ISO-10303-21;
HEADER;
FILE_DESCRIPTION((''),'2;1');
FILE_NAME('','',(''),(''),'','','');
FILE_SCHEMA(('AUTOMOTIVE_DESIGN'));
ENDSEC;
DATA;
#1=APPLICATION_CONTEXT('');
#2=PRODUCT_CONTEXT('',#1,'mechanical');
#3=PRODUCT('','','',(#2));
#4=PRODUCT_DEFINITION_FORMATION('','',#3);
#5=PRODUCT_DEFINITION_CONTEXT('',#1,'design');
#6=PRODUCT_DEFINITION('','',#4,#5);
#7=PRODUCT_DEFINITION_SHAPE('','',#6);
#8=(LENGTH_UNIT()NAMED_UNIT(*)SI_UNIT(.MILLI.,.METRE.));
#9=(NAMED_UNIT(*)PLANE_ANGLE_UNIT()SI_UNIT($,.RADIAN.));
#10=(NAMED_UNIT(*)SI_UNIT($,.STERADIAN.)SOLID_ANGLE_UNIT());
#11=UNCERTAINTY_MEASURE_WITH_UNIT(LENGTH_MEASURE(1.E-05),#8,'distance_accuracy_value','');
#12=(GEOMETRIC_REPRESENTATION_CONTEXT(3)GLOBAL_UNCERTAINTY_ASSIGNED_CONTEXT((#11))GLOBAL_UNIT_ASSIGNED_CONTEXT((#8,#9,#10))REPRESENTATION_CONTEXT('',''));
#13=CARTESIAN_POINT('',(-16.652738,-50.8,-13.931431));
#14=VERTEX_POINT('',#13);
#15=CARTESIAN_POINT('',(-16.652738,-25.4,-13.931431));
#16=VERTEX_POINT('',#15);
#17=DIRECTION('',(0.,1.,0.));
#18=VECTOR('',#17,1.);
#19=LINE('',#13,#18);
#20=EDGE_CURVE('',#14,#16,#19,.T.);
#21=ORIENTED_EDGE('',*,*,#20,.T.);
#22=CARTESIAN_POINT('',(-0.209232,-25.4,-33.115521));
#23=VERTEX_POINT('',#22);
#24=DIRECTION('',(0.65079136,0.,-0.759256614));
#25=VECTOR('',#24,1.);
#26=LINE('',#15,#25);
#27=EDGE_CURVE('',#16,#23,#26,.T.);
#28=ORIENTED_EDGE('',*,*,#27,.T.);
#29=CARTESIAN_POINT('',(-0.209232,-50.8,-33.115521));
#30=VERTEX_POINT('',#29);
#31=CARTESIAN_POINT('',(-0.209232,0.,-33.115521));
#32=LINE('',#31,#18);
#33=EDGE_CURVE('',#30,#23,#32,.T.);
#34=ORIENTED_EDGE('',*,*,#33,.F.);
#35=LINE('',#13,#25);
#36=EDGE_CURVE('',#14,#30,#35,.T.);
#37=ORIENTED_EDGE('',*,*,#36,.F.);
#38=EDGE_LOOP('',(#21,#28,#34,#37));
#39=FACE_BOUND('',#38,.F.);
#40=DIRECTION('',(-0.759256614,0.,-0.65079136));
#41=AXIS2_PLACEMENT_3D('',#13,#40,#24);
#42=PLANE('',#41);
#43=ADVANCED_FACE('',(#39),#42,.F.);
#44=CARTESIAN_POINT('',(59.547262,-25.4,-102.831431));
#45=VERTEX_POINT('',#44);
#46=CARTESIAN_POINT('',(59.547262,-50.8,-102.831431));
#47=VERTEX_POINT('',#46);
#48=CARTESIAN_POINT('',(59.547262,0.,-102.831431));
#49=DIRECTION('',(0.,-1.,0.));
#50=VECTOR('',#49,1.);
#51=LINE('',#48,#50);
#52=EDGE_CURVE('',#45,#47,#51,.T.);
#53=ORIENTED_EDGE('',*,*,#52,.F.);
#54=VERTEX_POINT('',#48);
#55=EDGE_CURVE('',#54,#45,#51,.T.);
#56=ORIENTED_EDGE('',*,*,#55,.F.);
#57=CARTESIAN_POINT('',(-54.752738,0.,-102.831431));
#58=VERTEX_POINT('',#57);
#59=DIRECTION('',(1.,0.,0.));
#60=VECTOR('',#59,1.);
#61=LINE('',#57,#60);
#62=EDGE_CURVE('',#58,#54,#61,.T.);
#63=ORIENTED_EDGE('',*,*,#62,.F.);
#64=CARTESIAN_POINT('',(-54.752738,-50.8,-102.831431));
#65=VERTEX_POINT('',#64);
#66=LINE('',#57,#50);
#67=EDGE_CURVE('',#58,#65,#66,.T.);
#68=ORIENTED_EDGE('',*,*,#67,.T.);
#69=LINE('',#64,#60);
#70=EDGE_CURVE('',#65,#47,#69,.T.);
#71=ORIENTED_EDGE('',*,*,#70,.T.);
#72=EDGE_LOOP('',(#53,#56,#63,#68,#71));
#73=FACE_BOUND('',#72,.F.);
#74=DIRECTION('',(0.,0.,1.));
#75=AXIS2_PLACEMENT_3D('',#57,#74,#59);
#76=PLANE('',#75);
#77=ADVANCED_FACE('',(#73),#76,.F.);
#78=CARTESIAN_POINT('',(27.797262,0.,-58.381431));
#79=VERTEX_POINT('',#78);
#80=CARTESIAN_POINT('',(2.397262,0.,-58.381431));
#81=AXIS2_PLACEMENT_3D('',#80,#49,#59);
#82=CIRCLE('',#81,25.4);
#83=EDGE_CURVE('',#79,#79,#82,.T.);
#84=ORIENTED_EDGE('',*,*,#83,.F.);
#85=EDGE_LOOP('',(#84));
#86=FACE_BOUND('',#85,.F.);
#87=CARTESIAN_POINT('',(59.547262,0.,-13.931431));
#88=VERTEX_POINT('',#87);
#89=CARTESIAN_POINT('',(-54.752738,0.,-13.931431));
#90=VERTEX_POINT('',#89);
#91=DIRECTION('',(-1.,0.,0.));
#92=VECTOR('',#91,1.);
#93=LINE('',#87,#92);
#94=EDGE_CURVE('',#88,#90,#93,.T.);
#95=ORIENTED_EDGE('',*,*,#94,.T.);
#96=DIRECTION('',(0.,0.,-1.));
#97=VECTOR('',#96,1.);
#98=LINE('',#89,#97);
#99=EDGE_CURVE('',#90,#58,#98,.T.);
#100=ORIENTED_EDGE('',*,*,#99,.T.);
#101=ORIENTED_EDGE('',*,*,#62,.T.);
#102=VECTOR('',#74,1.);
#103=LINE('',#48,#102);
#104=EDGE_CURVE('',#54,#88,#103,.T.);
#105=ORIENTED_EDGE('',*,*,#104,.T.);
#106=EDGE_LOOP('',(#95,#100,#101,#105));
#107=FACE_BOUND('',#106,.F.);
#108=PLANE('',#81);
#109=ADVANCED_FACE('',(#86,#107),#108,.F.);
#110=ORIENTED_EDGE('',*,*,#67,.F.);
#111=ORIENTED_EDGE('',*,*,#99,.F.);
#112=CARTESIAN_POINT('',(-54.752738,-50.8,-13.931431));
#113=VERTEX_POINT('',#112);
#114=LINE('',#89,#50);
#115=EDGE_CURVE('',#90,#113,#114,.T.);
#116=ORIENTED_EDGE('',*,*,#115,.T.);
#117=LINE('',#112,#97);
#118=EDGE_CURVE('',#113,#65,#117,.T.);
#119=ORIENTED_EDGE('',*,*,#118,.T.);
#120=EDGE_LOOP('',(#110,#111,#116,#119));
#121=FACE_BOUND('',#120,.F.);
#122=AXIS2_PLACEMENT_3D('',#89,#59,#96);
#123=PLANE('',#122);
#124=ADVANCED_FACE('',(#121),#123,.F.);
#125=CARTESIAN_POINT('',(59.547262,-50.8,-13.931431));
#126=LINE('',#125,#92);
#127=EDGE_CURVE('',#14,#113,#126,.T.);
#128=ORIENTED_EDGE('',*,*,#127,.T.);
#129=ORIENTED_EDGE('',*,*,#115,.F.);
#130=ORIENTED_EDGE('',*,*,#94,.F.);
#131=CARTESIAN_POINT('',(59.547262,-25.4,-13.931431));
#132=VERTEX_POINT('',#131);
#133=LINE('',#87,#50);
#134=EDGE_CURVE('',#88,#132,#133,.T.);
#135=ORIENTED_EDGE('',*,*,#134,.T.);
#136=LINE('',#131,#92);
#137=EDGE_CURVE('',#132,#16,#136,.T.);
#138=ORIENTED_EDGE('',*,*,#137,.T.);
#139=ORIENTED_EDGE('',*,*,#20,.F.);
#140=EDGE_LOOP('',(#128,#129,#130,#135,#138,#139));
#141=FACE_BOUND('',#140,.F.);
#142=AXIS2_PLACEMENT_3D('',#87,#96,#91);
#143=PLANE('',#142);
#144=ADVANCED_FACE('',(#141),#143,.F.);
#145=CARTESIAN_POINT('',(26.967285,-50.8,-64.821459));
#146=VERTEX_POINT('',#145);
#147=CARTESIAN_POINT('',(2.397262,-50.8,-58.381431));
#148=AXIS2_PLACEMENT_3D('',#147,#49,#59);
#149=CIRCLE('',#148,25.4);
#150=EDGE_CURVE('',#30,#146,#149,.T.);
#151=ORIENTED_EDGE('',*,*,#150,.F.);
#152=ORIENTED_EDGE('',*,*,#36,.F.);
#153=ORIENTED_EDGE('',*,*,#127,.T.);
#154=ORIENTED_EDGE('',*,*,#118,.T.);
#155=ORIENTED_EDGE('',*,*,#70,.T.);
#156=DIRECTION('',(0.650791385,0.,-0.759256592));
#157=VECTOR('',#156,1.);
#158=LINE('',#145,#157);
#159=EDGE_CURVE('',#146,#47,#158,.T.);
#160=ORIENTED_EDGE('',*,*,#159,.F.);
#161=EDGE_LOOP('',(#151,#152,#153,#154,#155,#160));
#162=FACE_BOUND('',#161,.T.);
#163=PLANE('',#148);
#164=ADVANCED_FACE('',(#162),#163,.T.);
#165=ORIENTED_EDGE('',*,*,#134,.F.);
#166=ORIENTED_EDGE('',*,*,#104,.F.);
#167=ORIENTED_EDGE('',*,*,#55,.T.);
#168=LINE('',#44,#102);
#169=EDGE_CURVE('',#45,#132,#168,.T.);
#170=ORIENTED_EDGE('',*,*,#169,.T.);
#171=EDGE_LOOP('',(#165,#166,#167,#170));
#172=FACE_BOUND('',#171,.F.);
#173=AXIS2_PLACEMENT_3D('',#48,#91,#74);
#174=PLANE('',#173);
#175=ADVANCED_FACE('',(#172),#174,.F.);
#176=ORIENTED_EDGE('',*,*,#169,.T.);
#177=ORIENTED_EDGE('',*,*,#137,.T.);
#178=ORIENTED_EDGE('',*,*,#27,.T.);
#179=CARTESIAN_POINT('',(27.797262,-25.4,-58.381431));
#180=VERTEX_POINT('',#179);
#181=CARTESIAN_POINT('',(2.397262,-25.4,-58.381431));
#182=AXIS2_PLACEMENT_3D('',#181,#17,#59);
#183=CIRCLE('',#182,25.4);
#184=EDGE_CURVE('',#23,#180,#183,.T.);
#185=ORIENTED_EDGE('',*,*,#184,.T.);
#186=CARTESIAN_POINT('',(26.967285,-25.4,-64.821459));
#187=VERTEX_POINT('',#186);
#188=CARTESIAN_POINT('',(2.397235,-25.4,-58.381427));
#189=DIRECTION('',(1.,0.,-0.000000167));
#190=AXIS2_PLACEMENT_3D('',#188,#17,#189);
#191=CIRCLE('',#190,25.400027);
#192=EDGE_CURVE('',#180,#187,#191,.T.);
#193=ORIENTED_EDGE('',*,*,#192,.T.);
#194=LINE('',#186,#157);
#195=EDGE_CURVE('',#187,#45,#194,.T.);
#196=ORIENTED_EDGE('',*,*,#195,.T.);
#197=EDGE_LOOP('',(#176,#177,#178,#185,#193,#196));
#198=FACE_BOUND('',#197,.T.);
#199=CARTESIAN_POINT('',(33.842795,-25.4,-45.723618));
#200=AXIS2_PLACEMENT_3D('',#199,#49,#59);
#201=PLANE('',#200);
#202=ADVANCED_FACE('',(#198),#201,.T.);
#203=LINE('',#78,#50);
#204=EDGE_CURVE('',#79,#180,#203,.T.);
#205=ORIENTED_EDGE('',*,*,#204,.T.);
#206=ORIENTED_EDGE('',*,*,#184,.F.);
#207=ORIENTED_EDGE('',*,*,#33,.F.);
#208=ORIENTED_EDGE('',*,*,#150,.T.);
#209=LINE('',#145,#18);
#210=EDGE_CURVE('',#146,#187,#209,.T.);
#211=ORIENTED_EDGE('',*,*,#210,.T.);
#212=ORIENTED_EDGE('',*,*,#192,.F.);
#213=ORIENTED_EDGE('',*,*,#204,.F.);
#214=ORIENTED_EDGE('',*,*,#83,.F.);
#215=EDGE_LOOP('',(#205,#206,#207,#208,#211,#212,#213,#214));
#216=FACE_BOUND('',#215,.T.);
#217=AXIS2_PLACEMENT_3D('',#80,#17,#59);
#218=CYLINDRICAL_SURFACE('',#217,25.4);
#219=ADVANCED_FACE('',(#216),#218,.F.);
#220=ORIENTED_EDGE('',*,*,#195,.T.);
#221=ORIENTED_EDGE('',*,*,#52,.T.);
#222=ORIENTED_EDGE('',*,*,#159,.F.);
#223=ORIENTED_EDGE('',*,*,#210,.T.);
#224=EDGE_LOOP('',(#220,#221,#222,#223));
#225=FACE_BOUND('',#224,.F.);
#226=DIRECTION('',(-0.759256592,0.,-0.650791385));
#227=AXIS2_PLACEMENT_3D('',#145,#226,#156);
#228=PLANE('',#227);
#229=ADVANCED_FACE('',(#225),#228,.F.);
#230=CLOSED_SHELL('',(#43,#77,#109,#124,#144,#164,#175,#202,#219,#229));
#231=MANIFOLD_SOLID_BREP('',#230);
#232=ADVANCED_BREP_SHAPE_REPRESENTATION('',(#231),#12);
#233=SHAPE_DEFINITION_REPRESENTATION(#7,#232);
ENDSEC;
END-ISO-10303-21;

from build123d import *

# Parameters (mm, degrees)
F0_R     = 25.4
F1_DEPTH = 50.8
F3_DEPTH = 25.4


with BuildPart() as f1:
    # F0 (on Front) → F1 (new body)
    with BuildSketch(Plane.XZ):
        Polygon((-16.652738, -13.931431), (-54.752738, -13.931431), (-54.752738, -102.831431), (59.547262, -102.831431), (59.547262, -13.931431), align=None)
        with Locations((2.397262, -58.381431)):
            Circle(F0_R, mode=Mode.SUBTRACT)
    extrude(amount=F1_DEPTH)

    # F2 (on face) → F3 (cut)
    with BuildSketch(Plane.XZ.offset(50.8)):
        with BuildLine():
            Line((59.547262, -13.931431), (-16.652738, -13.931431))
            Line((-16.652738, -13.931431), (-0.209232, -33.115522))
            ThreePointArc((-0.209232, -33.115522), (19.411301, -39.521886), (27.797262, -58.381431))
            ThreePointArc((27.797262, -58.381431), (27.588913, -61.628076), (26.967285, -64.821459))
            Line((26.967285, -64.821459), (59.547262, -102.831431))
            Line((59.547262, -102.831431), (59.547262, -13.931431))
        make_face()
    extrude(amount=-F3_DEPTH, mode=Mode.SUBTRACT)


solid = f1.part
